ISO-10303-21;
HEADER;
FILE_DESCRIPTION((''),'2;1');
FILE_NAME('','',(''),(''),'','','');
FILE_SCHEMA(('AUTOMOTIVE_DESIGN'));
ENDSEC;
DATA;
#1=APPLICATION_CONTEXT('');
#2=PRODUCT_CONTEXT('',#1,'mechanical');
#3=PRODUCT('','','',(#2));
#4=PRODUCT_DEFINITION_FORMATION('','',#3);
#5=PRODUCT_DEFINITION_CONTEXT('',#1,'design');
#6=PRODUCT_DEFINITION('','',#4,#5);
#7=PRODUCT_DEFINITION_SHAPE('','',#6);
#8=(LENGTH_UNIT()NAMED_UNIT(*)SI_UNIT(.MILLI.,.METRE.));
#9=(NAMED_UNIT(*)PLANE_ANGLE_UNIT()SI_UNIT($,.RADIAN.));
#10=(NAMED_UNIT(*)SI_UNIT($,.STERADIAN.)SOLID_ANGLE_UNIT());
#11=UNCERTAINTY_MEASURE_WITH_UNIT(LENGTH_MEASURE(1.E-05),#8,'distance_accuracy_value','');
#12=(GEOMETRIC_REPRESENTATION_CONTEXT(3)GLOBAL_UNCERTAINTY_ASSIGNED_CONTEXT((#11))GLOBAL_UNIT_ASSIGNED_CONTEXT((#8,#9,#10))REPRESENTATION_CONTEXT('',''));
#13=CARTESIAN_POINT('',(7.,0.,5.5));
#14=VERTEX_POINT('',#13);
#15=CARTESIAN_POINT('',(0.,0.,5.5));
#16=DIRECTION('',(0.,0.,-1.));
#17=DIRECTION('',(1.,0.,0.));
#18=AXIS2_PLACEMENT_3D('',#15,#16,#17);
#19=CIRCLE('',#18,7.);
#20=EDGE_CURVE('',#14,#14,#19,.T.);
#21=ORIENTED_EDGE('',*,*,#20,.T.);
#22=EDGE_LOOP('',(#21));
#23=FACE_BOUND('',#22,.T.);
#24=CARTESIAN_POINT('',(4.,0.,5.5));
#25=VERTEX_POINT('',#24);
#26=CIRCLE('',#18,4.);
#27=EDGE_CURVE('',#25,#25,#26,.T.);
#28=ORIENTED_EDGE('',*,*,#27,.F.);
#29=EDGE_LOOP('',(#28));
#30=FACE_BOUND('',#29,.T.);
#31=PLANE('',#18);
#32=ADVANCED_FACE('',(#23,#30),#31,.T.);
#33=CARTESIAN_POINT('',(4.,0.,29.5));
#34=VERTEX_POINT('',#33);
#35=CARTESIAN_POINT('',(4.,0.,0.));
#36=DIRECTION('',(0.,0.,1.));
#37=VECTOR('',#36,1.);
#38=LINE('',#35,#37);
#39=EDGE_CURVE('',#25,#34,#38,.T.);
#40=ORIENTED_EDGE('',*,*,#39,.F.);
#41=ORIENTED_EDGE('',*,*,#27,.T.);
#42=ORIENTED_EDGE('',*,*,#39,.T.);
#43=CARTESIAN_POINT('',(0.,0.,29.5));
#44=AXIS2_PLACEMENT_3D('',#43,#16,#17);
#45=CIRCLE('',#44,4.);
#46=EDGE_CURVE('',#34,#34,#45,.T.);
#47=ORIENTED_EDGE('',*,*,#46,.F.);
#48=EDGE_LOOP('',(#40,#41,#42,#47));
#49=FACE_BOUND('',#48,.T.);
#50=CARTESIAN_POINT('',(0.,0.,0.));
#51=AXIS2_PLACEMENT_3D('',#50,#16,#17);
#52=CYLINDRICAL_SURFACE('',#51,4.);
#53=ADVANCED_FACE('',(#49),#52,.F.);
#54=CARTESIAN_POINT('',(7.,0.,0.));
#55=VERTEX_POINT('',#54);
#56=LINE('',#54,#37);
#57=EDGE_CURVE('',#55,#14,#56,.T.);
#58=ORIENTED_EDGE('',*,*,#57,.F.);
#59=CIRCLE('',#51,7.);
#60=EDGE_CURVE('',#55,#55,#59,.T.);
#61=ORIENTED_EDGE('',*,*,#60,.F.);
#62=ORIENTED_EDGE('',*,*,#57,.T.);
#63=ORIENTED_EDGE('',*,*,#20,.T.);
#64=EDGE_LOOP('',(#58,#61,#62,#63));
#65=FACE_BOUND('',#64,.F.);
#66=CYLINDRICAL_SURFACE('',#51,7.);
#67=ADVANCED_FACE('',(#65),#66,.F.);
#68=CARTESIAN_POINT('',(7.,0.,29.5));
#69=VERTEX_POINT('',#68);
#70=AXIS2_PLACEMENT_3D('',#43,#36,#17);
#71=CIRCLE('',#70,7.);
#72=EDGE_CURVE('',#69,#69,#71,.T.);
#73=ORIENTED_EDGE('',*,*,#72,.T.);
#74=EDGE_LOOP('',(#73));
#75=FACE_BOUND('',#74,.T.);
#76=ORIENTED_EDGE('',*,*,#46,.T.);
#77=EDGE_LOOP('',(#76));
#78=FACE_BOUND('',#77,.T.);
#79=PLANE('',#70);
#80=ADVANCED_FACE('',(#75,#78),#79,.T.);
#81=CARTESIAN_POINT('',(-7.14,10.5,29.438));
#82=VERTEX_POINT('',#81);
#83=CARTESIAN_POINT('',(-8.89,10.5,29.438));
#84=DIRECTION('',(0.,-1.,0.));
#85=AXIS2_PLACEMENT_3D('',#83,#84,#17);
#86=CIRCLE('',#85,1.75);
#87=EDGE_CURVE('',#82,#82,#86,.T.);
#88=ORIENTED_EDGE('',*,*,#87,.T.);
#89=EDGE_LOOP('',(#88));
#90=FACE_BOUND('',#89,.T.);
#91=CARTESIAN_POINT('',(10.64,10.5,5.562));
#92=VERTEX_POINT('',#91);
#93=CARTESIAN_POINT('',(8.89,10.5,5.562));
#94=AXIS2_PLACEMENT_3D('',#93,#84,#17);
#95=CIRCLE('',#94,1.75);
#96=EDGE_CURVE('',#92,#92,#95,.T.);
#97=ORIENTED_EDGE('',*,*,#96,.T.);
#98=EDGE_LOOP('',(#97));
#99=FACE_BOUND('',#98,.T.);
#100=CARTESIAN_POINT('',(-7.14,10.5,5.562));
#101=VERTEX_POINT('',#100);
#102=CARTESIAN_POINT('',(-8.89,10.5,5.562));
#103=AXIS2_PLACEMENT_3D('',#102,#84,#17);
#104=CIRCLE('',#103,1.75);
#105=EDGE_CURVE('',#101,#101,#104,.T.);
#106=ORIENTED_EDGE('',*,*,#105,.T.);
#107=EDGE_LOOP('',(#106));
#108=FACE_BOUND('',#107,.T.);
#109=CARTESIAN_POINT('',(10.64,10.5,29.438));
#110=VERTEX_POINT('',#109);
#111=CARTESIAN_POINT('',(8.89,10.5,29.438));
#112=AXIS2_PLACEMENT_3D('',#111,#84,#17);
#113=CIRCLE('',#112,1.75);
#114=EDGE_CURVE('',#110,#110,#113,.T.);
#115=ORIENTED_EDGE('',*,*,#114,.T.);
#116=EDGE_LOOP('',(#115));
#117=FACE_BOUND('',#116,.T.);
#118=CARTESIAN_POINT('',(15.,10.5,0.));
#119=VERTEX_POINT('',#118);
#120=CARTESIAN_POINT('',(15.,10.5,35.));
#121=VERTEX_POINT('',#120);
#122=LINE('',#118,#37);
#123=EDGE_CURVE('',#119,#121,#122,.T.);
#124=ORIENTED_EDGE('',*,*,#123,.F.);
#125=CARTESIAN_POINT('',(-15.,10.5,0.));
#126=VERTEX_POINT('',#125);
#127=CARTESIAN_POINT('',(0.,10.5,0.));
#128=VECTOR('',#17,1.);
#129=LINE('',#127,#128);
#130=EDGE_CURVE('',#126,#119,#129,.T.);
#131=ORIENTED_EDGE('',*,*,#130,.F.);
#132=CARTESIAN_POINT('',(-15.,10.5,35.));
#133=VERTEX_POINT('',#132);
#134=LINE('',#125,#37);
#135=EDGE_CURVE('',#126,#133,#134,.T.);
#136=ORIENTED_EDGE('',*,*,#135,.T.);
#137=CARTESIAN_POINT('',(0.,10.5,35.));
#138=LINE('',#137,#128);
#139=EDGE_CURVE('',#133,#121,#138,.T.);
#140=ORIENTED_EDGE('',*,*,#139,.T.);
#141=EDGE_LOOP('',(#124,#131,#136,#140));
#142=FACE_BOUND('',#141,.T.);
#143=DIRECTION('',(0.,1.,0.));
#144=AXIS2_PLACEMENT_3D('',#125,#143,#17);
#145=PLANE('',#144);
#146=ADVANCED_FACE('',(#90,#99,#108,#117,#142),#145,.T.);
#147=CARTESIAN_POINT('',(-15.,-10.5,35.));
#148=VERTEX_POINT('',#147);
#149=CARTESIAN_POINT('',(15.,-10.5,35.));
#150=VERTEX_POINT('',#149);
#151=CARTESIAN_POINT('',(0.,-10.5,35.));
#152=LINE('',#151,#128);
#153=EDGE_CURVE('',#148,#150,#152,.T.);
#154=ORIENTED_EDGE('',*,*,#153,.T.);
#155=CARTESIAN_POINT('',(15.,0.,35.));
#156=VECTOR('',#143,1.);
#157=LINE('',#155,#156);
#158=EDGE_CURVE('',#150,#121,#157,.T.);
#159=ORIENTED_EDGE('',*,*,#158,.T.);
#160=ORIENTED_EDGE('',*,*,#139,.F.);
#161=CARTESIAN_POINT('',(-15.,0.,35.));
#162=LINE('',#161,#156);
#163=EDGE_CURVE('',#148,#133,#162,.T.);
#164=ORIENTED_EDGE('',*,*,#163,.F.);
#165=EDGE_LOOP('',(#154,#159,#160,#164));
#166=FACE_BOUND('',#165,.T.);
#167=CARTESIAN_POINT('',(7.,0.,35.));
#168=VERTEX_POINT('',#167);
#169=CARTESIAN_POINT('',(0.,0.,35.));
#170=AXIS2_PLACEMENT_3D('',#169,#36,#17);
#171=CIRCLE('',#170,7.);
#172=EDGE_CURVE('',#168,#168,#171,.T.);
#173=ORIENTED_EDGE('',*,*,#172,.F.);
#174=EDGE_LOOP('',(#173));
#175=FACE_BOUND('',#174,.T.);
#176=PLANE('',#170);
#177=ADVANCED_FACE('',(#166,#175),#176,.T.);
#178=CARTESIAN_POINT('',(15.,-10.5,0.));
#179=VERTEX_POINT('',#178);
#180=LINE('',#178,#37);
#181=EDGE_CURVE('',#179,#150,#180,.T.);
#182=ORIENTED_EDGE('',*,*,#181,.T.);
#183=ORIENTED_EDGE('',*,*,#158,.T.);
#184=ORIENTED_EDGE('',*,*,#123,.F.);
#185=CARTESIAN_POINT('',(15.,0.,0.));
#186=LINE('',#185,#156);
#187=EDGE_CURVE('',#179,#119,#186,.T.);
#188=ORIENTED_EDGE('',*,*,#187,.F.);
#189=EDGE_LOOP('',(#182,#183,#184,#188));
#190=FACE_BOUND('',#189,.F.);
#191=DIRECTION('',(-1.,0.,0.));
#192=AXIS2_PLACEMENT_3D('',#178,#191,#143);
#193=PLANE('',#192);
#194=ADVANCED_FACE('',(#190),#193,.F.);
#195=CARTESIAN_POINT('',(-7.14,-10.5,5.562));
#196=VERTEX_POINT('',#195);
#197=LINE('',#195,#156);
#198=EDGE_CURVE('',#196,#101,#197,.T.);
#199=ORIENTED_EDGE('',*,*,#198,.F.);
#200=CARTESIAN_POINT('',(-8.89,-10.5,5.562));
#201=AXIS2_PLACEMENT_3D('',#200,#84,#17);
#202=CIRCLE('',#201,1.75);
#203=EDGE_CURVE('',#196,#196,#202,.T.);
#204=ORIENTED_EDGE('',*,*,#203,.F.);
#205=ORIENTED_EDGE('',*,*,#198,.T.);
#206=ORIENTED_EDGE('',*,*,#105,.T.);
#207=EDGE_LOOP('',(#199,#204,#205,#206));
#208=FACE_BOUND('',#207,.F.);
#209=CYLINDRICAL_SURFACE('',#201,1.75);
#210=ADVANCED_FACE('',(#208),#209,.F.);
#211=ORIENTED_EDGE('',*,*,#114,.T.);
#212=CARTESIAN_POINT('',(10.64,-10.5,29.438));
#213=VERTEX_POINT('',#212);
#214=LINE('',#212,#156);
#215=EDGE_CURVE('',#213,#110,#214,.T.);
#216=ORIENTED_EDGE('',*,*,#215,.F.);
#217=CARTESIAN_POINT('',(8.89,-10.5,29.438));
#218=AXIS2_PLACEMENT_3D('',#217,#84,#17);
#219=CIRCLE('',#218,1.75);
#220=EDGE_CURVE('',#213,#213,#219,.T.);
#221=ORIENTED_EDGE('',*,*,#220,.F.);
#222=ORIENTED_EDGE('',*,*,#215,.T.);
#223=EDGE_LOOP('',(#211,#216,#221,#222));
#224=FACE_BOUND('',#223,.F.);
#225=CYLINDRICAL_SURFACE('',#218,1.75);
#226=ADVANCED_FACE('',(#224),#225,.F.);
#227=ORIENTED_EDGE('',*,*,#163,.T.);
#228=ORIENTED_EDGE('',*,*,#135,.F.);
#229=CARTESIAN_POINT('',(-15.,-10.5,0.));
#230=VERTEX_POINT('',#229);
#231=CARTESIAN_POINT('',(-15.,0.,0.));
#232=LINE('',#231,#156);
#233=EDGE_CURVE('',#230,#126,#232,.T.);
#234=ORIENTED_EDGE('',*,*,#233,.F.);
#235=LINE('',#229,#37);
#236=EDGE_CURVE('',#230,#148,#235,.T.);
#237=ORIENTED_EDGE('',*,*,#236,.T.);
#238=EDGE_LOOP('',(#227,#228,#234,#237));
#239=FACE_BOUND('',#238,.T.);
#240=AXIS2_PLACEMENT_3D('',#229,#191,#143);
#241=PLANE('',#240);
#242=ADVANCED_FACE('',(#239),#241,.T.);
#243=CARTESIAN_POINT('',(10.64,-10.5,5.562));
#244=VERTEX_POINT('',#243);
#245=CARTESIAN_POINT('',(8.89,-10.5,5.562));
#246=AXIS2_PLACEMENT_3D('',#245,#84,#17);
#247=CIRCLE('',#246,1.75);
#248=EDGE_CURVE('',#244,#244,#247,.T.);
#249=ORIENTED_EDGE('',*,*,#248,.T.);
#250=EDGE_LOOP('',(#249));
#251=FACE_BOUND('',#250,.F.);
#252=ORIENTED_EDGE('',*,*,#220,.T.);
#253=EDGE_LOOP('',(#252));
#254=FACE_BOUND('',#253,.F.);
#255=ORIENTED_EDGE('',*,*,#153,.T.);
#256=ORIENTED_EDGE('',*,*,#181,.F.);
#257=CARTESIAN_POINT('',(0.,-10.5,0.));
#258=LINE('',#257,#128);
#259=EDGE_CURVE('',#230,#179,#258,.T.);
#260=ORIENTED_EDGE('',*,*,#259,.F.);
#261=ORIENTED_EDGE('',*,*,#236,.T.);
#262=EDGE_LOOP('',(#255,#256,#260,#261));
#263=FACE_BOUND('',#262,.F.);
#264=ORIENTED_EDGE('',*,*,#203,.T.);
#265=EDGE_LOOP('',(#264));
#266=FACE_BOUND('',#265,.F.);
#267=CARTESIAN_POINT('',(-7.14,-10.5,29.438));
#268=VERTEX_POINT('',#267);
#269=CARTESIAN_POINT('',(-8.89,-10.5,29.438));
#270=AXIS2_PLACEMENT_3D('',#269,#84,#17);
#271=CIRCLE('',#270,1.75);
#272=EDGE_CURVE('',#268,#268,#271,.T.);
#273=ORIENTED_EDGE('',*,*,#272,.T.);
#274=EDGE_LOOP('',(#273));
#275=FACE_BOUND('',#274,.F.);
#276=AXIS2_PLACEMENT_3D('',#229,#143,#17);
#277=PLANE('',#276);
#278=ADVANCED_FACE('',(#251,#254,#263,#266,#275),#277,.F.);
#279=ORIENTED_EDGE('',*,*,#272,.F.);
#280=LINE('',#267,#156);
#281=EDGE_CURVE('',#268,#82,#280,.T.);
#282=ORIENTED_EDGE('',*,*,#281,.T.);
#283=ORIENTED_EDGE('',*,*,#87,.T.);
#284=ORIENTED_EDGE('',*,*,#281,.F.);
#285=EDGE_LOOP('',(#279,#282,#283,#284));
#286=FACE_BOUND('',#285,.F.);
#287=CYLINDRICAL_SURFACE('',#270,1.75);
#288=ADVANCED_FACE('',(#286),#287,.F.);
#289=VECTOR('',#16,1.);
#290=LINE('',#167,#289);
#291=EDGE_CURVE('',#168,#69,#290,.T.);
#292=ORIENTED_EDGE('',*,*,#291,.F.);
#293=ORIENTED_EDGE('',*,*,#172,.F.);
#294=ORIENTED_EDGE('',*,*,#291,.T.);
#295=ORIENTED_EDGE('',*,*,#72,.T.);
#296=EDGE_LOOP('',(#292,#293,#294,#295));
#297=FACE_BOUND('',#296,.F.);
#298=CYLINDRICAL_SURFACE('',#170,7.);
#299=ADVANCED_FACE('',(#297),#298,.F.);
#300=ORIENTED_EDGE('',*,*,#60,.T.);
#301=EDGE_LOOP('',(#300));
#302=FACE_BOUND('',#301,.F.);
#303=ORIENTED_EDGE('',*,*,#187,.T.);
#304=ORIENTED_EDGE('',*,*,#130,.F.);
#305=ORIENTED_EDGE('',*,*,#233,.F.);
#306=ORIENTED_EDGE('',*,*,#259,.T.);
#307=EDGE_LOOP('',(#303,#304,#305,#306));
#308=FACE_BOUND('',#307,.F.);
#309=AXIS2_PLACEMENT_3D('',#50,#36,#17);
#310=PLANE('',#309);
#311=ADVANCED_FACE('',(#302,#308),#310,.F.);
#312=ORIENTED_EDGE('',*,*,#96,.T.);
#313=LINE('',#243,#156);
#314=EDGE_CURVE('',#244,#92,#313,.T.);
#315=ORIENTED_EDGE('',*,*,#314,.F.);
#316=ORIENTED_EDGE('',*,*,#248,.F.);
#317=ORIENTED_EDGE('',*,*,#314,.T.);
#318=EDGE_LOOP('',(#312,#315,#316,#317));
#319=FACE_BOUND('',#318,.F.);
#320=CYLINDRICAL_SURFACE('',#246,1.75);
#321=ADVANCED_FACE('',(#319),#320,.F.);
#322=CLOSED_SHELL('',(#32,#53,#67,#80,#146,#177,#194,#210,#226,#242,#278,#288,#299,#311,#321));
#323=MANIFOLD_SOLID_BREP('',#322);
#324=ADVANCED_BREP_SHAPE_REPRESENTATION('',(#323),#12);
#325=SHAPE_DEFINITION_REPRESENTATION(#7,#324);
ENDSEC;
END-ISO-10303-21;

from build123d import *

# Parameters (mm, degrees)
F0_W     = 30
F0_H     = 21
F0_R     = 4
F1_DEPTH = 35
F2_R     = 7
F3_DEPTH = 5.5
F4_R     = 7
F5_DEPTH = 5.5
F6_R     = 1.75
F7_DEPTH = 21


with BuildPart() as f1:
    # F0 (on Top) → F1 (new body)
    with BuildSketch(Plane.XY):
        Rectangle(F0_W, F0_H)
        Circle(F0_R, mode=Mode.SUBTRACT)
    extrude(amount=F1_DEPTH)

    # F2 (on face) → F3 (cut)
    with BuildSketch(Plane.XY.offset(35)):
        Circle(F2_R)
    extrude(amount=-F3_DEPTH, mode=Mode.SUBTRACT)

    # F4 (on face) → F5 (cut)
    with BuildSketch(Plane(origin=(0, 0, 0), x_dir=(1, 0, 0), z_dir=(0, 0, -1))):
        Circle(F4_R)
    extrude(amount=-F5_DEPTH, mode=Mode.SUBTRACT)

    # F6 (on face) → F7 (cut, through all)
    with BuildSketch(Plane.XZ.offset(10.5)):
        with Locations((8.89, 5.562)):
            Circle(F6_R)
        with Locations((-8.89, 5.562)):
            Circle(F6_R)
        with Locations((8.89, 29.438)):
            Circle(F6_R)
        with Locations((-8.89, 29.438)):
            Circle(F6_R)
    extrude(amount=-F7_DEPTH, mode=Mode.SUBTRACT)


solid = f1.part
